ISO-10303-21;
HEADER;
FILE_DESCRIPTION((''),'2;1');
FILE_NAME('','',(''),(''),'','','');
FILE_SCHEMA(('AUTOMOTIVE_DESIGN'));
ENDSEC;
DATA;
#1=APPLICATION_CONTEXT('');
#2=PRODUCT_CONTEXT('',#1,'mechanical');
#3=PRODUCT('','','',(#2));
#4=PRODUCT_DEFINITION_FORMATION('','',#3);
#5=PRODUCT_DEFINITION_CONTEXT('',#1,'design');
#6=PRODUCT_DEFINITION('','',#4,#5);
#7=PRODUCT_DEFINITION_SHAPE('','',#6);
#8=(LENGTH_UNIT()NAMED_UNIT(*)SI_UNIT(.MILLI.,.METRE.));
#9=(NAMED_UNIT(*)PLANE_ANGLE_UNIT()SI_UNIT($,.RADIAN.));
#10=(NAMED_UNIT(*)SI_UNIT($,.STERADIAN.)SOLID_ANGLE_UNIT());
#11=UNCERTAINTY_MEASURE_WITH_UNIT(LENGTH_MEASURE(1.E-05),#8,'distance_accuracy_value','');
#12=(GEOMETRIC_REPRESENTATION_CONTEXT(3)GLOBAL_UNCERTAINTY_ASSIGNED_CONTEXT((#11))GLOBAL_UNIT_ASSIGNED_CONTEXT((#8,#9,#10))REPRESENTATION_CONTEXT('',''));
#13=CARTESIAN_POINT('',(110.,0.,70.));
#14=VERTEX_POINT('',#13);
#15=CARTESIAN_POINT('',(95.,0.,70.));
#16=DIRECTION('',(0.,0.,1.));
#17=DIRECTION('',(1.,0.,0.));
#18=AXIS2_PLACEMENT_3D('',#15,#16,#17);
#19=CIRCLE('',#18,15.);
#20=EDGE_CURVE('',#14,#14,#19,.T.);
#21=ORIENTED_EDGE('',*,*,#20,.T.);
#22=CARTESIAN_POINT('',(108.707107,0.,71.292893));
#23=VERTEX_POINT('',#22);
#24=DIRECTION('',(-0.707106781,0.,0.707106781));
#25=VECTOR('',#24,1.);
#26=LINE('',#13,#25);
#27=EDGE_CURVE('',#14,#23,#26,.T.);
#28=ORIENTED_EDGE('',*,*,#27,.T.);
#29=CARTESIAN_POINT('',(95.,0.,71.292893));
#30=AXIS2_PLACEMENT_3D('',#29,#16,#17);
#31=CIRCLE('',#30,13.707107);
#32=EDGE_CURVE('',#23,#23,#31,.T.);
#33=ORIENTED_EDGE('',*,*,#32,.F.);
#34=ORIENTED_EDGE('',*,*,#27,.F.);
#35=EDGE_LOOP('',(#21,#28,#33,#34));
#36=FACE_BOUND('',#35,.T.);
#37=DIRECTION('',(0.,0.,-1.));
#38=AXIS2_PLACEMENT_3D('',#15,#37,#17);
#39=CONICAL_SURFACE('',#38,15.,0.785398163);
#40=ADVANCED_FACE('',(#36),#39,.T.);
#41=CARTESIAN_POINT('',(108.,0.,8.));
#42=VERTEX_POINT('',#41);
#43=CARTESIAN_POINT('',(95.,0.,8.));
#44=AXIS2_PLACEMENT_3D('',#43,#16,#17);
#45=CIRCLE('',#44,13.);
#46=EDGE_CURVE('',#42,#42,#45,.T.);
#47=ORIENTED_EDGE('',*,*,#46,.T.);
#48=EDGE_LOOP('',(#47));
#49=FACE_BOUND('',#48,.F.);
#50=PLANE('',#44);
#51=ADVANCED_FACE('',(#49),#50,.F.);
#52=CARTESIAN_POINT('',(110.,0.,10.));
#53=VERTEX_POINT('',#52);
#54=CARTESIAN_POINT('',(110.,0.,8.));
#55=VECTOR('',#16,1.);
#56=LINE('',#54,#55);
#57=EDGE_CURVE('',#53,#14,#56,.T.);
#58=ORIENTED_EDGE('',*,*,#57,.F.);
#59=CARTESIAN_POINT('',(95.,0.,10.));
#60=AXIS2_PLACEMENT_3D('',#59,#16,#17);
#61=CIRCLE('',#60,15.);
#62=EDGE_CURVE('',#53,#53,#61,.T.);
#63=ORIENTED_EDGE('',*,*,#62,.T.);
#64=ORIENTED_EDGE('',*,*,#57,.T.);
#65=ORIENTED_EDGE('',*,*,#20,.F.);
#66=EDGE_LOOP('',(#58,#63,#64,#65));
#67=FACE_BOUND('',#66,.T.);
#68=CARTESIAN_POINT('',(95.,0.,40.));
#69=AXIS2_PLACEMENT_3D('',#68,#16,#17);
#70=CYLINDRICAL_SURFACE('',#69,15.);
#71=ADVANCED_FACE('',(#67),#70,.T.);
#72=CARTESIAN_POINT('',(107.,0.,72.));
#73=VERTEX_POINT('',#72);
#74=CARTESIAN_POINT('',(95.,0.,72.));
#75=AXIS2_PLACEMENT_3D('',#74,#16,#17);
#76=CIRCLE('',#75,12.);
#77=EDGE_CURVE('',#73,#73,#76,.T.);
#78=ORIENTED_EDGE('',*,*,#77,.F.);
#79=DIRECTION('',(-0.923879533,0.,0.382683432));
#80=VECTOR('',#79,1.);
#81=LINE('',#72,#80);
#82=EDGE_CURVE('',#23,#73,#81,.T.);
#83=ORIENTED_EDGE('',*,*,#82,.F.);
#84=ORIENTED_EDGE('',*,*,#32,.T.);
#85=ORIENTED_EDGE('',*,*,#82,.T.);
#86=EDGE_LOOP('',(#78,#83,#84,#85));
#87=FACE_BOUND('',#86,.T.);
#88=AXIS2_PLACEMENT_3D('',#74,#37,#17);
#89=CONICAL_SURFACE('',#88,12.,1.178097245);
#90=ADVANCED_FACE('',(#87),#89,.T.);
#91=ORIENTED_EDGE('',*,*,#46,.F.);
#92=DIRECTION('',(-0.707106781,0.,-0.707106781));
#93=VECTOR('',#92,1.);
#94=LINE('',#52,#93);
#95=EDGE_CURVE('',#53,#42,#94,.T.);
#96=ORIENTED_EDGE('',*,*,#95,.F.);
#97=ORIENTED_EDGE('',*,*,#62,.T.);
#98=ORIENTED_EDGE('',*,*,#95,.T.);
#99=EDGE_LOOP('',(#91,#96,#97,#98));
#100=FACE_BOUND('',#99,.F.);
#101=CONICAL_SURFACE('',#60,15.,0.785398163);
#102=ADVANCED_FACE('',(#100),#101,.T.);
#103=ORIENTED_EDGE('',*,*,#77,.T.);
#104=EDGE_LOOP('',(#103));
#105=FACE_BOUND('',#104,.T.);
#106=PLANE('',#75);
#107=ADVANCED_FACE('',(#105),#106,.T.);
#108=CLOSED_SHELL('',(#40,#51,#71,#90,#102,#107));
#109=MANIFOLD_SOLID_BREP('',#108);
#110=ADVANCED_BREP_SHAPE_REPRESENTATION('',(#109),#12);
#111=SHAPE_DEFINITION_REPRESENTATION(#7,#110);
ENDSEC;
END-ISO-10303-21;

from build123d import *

# Parameters (mm, degrees)
F0_R     = 15
F1_DEPTH = 32
F2_SIZE  = 2
F3_SIZE  = 1


with BuildPart() as f1:
    # F0 (on Top) → F1 (new body, symmetric)
    with BuildSketch(Plane.XY):
        with Locations((95, 0)):
            Circle(F0_R)
    extrude(amount=F1_DEPTH, both=True)

    # F2
    f2_edges = [f1.edges().sort_by_distance(p)[0] for p in [
        (80, 0, 32),
        (80, 0, -32),
    ]]
    chamfer(f2_edges, length=F2_SIZE)

    # F3
    f3_edges = [f1.edges().sort_by_distance(p)[0] for p in [
        (82, 0, 32),
    ]]
    chamfer(f3_edges, length=F3_SIZE)


with BuildPart() as f1_1:
    # F4: moved
    add(f1.part.moved(Location((0, 0, 40))))


solid = f1_1.part
